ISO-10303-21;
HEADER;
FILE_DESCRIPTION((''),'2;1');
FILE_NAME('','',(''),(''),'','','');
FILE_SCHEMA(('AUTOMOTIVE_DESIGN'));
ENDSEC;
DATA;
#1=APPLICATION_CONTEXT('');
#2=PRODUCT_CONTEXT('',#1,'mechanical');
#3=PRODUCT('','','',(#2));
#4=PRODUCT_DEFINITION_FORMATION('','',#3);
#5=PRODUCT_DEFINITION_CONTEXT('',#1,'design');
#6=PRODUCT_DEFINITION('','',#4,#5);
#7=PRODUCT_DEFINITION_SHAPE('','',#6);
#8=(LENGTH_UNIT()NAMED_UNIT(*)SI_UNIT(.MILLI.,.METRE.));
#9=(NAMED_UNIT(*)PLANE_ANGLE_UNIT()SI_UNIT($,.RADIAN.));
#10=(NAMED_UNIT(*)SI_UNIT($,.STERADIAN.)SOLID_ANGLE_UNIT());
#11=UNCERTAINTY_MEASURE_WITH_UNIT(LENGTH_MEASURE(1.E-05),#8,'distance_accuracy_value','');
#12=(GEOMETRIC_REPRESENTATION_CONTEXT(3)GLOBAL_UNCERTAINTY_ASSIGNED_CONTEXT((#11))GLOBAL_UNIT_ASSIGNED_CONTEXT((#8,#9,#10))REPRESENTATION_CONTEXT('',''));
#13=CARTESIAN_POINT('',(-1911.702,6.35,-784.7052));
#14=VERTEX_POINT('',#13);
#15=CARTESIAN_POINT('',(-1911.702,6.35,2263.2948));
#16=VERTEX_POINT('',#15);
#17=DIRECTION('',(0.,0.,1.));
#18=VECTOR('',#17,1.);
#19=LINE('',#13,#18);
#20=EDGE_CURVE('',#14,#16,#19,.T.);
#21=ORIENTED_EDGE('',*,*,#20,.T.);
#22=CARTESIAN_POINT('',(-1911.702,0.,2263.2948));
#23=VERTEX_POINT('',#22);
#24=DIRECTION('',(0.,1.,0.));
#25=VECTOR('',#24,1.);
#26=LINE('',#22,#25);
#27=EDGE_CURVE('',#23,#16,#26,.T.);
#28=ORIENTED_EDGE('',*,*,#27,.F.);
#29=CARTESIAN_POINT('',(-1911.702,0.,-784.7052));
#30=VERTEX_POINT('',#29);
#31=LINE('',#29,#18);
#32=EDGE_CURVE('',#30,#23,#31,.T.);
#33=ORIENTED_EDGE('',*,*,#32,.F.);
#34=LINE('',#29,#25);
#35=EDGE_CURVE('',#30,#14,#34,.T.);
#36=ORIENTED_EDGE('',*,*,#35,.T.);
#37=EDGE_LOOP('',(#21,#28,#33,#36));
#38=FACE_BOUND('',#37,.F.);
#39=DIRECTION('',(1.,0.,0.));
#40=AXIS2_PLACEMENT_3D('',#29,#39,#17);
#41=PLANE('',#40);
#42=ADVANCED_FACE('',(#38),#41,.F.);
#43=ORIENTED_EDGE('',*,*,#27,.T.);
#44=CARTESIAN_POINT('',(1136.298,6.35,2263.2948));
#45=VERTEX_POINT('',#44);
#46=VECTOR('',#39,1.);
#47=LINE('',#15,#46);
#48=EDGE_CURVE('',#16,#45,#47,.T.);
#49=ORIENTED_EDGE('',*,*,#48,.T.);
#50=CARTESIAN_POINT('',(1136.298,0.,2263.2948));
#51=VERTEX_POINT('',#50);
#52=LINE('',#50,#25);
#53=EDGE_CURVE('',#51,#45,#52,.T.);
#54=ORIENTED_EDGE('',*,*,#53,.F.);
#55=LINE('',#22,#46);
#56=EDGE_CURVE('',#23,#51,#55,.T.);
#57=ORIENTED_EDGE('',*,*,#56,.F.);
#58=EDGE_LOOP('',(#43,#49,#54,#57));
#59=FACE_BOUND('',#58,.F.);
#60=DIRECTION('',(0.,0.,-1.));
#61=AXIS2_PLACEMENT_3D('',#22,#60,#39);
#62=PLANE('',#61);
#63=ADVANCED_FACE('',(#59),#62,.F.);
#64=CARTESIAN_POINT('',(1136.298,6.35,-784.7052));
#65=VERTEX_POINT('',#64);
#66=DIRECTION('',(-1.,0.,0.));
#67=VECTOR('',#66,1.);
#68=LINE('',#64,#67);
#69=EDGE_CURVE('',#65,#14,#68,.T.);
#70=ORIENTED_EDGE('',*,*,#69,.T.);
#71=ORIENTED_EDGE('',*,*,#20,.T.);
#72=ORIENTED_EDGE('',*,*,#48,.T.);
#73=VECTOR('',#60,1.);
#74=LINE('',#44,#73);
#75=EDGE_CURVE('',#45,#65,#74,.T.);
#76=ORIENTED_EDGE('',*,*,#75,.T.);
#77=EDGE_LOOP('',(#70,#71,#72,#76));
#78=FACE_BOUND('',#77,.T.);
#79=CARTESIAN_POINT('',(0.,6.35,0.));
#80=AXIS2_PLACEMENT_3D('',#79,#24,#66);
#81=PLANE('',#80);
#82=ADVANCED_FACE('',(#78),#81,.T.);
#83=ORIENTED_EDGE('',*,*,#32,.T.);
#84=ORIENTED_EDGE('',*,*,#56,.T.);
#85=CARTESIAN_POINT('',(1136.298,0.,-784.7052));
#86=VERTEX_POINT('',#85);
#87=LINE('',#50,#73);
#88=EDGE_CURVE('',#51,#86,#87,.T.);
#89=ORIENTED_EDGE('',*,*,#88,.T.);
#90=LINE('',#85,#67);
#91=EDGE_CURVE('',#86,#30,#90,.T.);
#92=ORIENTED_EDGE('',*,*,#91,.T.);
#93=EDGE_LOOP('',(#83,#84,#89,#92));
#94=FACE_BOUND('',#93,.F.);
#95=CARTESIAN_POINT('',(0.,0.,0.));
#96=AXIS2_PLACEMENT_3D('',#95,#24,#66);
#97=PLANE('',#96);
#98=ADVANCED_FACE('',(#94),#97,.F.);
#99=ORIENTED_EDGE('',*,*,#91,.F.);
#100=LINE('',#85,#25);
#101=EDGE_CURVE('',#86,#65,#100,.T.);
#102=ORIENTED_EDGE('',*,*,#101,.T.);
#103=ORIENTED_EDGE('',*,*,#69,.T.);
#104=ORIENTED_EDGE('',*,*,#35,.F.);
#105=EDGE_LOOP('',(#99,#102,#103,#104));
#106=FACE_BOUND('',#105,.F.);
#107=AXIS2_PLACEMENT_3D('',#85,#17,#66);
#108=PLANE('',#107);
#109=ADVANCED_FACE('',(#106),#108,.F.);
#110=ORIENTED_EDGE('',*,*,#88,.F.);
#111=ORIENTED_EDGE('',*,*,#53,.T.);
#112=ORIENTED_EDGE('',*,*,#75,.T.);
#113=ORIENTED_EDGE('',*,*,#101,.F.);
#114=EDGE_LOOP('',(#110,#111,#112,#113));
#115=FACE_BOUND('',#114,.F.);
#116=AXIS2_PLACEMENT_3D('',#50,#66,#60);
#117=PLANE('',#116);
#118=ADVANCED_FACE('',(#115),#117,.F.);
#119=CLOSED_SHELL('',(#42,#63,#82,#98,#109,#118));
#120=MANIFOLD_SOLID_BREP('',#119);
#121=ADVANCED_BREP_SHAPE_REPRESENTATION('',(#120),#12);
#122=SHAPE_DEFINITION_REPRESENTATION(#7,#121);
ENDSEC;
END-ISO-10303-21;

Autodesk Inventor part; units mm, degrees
ref_plane "YZ Plane" through (0, 0, 0) normal (1, 0, 0) x (0, 1, 0)
ref_plane "XZ Plane" through (0, 0, 0) normal (0, 1, 0) x (-1, 0, 0)
ref_plane "XY Plane" through (0, 0, 0) normal (0, 0, 1) x (1, 0, 0)
sketch "Sketch1" plane through (0, 0, 0) normal (0, 1, 0) x (-1, 0, 0)
  line L0 (1911.702, 2263.2948) -> (-1136.298, 2263.2948)
  line L1 (-1136.298, 2263.2948) -> (-1136.298, -784.7052)
  line L2 (-1136.298, -784.7052) -> (1911.702, -784.7052)
  line L3 (1911.702, -784.7052) -> (1911.702, 2263.2948)
  point P0 (0, 0)
  dimension "d0" = 3048
  dimension "d1" = 3048
extrude "Extrusion1" add sketch "Sketch1" along normal blind 6.35
properties part number "Carpet"
